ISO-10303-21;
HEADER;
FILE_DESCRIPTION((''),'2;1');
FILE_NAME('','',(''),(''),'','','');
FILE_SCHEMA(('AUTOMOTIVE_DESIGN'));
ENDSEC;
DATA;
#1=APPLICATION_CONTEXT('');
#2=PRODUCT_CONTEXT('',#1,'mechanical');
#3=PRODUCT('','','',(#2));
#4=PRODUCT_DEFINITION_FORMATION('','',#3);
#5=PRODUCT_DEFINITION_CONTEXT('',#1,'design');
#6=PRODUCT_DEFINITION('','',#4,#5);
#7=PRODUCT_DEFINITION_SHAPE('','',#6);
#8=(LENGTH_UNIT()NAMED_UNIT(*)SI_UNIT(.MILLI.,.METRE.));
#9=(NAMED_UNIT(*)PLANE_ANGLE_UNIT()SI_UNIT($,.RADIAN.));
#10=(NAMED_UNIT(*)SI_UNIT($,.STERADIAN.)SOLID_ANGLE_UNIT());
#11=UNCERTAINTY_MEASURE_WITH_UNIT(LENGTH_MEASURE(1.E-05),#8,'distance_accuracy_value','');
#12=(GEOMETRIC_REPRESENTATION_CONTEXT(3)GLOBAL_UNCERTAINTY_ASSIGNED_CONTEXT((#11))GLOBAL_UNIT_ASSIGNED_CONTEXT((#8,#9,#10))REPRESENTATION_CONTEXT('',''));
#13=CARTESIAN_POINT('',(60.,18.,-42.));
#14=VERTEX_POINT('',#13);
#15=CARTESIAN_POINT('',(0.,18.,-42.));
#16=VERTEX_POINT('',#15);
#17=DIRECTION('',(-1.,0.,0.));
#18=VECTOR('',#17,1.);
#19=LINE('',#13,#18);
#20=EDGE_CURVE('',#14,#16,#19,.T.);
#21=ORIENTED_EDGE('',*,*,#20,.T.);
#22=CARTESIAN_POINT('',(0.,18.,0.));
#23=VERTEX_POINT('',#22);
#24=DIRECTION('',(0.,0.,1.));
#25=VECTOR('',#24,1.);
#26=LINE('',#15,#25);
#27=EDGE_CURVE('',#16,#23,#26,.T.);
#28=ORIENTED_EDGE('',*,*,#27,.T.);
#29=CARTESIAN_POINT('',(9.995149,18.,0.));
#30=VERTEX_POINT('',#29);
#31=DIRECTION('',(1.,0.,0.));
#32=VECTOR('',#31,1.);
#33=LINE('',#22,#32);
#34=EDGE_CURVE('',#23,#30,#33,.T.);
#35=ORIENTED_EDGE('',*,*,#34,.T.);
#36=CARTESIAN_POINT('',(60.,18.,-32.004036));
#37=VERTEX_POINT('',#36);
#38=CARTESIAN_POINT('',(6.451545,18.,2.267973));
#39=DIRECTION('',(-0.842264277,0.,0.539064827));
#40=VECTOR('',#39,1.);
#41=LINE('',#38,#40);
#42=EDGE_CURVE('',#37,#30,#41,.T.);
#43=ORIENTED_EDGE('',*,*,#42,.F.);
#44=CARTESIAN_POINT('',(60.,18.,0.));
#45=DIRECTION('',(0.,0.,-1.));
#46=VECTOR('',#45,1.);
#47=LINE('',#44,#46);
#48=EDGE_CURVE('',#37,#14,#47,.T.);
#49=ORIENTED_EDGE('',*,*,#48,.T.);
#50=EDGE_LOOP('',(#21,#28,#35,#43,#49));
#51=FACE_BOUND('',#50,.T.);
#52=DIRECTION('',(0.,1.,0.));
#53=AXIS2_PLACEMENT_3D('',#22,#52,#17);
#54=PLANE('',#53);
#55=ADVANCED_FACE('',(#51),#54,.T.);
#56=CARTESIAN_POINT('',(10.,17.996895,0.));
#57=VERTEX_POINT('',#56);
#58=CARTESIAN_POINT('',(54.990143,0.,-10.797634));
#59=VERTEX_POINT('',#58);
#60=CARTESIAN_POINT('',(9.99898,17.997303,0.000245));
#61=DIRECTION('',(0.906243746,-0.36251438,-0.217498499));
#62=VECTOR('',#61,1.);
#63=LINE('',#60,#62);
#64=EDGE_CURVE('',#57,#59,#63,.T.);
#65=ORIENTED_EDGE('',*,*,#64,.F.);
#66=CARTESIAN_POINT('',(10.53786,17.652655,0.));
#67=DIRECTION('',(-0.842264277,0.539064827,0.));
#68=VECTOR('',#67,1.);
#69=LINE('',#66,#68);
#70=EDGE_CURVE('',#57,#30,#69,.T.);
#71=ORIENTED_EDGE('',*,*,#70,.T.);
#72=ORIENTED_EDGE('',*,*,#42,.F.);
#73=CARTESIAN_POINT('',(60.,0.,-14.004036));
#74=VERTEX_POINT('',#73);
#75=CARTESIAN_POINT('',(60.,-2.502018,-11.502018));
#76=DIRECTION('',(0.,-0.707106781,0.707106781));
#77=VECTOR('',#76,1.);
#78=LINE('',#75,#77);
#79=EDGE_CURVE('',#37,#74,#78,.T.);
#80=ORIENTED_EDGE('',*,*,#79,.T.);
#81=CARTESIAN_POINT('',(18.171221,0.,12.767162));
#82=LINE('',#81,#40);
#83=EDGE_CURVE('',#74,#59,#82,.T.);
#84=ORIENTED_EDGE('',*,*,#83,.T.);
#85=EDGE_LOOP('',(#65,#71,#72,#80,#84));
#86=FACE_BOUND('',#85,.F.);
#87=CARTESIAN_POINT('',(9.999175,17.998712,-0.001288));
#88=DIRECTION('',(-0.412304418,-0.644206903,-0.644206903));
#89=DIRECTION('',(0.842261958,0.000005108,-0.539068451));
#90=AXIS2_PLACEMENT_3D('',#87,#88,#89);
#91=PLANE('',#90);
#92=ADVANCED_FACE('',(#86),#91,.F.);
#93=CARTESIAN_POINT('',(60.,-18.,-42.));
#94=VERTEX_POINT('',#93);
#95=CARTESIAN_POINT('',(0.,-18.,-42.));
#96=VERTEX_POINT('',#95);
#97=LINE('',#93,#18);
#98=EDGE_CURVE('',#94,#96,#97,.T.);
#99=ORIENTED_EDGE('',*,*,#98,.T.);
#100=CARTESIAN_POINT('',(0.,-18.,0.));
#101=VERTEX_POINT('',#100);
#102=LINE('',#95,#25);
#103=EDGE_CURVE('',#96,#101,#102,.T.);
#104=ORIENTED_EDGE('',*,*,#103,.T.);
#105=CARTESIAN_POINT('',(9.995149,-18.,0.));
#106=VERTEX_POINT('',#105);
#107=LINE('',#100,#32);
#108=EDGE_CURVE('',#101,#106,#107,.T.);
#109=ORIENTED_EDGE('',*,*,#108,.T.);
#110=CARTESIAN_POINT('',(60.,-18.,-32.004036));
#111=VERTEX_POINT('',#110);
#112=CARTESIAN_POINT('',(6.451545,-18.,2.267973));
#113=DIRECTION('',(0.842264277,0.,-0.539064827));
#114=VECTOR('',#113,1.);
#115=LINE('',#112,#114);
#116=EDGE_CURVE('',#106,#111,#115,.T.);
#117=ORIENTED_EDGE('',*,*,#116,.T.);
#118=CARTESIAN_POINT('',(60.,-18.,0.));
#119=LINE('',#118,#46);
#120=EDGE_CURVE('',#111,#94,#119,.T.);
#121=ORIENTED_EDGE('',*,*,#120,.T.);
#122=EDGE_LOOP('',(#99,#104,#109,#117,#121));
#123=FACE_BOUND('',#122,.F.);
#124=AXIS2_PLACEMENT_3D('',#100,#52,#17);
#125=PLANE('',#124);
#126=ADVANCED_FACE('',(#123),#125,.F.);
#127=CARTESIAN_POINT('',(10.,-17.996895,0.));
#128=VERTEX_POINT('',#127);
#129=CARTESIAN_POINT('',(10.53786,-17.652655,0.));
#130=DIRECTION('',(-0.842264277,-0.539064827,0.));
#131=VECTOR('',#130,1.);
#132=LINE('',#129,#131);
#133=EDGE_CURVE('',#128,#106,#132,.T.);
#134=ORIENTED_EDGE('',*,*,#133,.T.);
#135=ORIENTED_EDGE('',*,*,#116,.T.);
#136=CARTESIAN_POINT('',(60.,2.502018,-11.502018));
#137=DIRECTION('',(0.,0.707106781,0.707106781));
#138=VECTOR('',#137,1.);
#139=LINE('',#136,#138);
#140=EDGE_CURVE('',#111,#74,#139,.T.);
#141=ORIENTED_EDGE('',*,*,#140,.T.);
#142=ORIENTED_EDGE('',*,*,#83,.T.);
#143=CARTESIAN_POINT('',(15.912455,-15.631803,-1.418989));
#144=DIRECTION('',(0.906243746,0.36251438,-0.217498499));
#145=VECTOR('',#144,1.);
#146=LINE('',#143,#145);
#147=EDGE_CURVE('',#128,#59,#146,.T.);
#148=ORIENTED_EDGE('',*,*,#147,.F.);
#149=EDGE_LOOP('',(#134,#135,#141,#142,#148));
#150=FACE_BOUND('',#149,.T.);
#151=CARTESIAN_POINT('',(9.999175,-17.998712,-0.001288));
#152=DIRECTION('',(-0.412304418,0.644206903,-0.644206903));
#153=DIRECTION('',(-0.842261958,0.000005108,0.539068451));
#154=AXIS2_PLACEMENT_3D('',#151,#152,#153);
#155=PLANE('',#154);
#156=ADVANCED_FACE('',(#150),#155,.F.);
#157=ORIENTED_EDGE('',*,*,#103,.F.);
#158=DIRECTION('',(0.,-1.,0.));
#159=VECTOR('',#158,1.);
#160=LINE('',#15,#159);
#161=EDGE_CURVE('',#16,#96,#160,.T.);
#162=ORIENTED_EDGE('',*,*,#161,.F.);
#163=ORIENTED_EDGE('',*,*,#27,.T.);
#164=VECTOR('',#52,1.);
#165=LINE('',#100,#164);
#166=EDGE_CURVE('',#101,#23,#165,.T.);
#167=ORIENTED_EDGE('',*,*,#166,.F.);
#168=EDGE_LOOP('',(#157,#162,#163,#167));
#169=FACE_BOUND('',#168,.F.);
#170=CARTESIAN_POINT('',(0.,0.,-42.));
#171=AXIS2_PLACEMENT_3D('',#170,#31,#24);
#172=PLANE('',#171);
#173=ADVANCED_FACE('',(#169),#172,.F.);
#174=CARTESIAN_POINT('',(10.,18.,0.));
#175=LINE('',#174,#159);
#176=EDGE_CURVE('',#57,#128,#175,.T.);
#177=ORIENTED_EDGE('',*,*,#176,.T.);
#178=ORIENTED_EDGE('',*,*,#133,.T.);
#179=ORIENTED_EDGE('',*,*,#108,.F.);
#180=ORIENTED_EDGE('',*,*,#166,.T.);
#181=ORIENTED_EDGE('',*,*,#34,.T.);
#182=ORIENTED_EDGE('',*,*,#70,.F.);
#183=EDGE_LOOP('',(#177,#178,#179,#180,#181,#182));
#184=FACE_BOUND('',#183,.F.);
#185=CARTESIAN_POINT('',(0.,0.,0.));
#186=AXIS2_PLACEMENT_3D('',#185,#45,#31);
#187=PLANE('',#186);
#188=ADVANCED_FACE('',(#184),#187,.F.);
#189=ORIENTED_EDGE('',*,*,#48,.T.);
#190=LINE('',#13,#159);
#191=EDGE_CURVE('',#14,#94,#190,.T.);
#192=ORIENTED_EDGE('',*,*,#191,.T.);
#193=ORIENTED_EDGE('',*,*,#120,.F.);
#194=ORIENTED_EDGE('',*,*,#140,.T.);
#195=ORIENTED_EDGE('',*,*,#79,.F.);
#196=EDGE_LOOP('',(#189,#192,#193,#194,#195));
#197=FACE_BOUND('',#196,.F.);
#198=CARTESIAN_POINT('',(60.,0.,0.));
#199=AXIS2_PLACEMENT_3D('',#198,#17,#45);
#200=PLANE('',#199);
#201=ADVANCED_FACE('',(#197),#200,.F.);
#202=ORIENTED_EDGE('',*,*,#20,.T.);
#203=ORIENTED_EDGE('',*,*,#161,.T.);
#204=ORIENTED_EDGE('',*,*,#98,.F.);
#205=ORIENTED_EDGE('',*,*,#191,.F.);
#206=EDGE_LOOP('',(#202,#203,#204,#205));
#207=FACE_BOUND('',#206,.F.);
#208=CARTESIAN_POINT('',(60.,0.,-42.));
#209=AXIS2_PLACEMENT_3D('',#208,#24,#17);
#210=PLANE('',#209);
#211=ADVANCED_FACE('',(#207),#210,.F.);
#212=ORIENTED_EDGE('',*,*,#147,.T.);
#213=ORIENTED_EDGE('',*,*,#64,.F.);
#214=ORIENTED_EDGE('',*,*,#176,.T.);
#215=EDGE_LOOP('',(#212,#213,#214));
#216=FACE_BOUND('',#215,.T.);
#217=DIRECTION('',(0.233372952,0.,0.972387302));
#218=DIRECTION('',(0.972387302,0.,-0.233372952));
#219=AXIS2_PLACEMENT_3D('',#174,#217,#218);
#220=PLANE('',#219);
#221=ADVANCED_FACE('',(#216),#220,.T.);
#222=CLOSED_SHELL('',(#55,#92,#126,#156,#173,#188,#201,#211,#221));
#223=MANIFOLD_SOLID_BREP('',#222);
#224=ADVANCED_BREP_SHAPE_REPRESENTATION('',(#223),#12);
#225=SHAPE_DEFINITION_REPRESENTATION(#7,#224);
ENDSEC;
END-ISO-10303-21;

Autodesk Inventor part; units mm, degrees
ref_plane "YZ Plane" through (0, 0, 0) normal (1, 0, 0) x (0, 1, 0)
ref_plane "XZ Plane" through (0, 0, 0) normal (0, 1, 0) x (-1, 0, 0)
sketch "草圖1" plane through (0, 0, 0) normal (0, 1, 0) x (-1, 0, 0)
  line L0 (0, 0) -> (-60, 0)
  line L1 (-60, 0) -> (-60, -42)
  line L2 (-60, -42) -> (0, -42)
  line L3 (0, -42) -> (0, 0)
  dimension "d0" = 60
  dimension "d1" = 42
extrude "擠出1" add sketch "草圖1" along normal mid plane 36
sketch "草圖2" plane through (0, 18, 0) normal (0, 1, 0) x (1, 0, 0)
  line L0 (0, 0) -> (60, 0) projected
  line L1 (10, 0) -> (60, 12)
  line L2 (60, 0) -> (60, 42) projected
  dimension "d4" = 10
  dimension "d5" = 30
extrude "擠出2" cut sketch "草圖2" against normal blind 40
sketch "草圖3" plane through (60, -18, -42) normal (1, 0, 0) x (0, 0, -1)
  line L0 (-30, 16) -> (-10, 36)
  line L1 (0, 36) -> (-42, 36) projected
  line L2 (-30, 36) -> (-30, 0) projected
  point P0 (-42, 18)
  dimension "d8" = 20
  dimension "d9" = 20
ref_plane "工作平面1" through (10, 18, 0) normal (-0.4123, -0.6442, -0.6442) x (0.8423, 0, -0.5391)
sketch "草圖4" plane through (10, 18, 0) normal (-0.4123, -0.6442, -0.6442) x (0.8423, 0, -0.5391)
  line L0 (-15.1543, -12.3218) -> (93.717, -12.3218)
  line L1 (93.717, -12.3218) -> (93.717, 28.8166)
  line L2 (93.717, 28.8166) -> (-15.1543, 28.8166)
  line L3 (-15.1543, 28.8166) -> (-15.1543, -12.3218)
  point P0 (-8.4227, 10.2946)
extrude "擠出3" cut sketch "草圖4" against normal blind 40
mirror "鏡射1" about plane through (0, 0, 0) normal (0, 1, 0) of "擠出3"
properties part number "18"
